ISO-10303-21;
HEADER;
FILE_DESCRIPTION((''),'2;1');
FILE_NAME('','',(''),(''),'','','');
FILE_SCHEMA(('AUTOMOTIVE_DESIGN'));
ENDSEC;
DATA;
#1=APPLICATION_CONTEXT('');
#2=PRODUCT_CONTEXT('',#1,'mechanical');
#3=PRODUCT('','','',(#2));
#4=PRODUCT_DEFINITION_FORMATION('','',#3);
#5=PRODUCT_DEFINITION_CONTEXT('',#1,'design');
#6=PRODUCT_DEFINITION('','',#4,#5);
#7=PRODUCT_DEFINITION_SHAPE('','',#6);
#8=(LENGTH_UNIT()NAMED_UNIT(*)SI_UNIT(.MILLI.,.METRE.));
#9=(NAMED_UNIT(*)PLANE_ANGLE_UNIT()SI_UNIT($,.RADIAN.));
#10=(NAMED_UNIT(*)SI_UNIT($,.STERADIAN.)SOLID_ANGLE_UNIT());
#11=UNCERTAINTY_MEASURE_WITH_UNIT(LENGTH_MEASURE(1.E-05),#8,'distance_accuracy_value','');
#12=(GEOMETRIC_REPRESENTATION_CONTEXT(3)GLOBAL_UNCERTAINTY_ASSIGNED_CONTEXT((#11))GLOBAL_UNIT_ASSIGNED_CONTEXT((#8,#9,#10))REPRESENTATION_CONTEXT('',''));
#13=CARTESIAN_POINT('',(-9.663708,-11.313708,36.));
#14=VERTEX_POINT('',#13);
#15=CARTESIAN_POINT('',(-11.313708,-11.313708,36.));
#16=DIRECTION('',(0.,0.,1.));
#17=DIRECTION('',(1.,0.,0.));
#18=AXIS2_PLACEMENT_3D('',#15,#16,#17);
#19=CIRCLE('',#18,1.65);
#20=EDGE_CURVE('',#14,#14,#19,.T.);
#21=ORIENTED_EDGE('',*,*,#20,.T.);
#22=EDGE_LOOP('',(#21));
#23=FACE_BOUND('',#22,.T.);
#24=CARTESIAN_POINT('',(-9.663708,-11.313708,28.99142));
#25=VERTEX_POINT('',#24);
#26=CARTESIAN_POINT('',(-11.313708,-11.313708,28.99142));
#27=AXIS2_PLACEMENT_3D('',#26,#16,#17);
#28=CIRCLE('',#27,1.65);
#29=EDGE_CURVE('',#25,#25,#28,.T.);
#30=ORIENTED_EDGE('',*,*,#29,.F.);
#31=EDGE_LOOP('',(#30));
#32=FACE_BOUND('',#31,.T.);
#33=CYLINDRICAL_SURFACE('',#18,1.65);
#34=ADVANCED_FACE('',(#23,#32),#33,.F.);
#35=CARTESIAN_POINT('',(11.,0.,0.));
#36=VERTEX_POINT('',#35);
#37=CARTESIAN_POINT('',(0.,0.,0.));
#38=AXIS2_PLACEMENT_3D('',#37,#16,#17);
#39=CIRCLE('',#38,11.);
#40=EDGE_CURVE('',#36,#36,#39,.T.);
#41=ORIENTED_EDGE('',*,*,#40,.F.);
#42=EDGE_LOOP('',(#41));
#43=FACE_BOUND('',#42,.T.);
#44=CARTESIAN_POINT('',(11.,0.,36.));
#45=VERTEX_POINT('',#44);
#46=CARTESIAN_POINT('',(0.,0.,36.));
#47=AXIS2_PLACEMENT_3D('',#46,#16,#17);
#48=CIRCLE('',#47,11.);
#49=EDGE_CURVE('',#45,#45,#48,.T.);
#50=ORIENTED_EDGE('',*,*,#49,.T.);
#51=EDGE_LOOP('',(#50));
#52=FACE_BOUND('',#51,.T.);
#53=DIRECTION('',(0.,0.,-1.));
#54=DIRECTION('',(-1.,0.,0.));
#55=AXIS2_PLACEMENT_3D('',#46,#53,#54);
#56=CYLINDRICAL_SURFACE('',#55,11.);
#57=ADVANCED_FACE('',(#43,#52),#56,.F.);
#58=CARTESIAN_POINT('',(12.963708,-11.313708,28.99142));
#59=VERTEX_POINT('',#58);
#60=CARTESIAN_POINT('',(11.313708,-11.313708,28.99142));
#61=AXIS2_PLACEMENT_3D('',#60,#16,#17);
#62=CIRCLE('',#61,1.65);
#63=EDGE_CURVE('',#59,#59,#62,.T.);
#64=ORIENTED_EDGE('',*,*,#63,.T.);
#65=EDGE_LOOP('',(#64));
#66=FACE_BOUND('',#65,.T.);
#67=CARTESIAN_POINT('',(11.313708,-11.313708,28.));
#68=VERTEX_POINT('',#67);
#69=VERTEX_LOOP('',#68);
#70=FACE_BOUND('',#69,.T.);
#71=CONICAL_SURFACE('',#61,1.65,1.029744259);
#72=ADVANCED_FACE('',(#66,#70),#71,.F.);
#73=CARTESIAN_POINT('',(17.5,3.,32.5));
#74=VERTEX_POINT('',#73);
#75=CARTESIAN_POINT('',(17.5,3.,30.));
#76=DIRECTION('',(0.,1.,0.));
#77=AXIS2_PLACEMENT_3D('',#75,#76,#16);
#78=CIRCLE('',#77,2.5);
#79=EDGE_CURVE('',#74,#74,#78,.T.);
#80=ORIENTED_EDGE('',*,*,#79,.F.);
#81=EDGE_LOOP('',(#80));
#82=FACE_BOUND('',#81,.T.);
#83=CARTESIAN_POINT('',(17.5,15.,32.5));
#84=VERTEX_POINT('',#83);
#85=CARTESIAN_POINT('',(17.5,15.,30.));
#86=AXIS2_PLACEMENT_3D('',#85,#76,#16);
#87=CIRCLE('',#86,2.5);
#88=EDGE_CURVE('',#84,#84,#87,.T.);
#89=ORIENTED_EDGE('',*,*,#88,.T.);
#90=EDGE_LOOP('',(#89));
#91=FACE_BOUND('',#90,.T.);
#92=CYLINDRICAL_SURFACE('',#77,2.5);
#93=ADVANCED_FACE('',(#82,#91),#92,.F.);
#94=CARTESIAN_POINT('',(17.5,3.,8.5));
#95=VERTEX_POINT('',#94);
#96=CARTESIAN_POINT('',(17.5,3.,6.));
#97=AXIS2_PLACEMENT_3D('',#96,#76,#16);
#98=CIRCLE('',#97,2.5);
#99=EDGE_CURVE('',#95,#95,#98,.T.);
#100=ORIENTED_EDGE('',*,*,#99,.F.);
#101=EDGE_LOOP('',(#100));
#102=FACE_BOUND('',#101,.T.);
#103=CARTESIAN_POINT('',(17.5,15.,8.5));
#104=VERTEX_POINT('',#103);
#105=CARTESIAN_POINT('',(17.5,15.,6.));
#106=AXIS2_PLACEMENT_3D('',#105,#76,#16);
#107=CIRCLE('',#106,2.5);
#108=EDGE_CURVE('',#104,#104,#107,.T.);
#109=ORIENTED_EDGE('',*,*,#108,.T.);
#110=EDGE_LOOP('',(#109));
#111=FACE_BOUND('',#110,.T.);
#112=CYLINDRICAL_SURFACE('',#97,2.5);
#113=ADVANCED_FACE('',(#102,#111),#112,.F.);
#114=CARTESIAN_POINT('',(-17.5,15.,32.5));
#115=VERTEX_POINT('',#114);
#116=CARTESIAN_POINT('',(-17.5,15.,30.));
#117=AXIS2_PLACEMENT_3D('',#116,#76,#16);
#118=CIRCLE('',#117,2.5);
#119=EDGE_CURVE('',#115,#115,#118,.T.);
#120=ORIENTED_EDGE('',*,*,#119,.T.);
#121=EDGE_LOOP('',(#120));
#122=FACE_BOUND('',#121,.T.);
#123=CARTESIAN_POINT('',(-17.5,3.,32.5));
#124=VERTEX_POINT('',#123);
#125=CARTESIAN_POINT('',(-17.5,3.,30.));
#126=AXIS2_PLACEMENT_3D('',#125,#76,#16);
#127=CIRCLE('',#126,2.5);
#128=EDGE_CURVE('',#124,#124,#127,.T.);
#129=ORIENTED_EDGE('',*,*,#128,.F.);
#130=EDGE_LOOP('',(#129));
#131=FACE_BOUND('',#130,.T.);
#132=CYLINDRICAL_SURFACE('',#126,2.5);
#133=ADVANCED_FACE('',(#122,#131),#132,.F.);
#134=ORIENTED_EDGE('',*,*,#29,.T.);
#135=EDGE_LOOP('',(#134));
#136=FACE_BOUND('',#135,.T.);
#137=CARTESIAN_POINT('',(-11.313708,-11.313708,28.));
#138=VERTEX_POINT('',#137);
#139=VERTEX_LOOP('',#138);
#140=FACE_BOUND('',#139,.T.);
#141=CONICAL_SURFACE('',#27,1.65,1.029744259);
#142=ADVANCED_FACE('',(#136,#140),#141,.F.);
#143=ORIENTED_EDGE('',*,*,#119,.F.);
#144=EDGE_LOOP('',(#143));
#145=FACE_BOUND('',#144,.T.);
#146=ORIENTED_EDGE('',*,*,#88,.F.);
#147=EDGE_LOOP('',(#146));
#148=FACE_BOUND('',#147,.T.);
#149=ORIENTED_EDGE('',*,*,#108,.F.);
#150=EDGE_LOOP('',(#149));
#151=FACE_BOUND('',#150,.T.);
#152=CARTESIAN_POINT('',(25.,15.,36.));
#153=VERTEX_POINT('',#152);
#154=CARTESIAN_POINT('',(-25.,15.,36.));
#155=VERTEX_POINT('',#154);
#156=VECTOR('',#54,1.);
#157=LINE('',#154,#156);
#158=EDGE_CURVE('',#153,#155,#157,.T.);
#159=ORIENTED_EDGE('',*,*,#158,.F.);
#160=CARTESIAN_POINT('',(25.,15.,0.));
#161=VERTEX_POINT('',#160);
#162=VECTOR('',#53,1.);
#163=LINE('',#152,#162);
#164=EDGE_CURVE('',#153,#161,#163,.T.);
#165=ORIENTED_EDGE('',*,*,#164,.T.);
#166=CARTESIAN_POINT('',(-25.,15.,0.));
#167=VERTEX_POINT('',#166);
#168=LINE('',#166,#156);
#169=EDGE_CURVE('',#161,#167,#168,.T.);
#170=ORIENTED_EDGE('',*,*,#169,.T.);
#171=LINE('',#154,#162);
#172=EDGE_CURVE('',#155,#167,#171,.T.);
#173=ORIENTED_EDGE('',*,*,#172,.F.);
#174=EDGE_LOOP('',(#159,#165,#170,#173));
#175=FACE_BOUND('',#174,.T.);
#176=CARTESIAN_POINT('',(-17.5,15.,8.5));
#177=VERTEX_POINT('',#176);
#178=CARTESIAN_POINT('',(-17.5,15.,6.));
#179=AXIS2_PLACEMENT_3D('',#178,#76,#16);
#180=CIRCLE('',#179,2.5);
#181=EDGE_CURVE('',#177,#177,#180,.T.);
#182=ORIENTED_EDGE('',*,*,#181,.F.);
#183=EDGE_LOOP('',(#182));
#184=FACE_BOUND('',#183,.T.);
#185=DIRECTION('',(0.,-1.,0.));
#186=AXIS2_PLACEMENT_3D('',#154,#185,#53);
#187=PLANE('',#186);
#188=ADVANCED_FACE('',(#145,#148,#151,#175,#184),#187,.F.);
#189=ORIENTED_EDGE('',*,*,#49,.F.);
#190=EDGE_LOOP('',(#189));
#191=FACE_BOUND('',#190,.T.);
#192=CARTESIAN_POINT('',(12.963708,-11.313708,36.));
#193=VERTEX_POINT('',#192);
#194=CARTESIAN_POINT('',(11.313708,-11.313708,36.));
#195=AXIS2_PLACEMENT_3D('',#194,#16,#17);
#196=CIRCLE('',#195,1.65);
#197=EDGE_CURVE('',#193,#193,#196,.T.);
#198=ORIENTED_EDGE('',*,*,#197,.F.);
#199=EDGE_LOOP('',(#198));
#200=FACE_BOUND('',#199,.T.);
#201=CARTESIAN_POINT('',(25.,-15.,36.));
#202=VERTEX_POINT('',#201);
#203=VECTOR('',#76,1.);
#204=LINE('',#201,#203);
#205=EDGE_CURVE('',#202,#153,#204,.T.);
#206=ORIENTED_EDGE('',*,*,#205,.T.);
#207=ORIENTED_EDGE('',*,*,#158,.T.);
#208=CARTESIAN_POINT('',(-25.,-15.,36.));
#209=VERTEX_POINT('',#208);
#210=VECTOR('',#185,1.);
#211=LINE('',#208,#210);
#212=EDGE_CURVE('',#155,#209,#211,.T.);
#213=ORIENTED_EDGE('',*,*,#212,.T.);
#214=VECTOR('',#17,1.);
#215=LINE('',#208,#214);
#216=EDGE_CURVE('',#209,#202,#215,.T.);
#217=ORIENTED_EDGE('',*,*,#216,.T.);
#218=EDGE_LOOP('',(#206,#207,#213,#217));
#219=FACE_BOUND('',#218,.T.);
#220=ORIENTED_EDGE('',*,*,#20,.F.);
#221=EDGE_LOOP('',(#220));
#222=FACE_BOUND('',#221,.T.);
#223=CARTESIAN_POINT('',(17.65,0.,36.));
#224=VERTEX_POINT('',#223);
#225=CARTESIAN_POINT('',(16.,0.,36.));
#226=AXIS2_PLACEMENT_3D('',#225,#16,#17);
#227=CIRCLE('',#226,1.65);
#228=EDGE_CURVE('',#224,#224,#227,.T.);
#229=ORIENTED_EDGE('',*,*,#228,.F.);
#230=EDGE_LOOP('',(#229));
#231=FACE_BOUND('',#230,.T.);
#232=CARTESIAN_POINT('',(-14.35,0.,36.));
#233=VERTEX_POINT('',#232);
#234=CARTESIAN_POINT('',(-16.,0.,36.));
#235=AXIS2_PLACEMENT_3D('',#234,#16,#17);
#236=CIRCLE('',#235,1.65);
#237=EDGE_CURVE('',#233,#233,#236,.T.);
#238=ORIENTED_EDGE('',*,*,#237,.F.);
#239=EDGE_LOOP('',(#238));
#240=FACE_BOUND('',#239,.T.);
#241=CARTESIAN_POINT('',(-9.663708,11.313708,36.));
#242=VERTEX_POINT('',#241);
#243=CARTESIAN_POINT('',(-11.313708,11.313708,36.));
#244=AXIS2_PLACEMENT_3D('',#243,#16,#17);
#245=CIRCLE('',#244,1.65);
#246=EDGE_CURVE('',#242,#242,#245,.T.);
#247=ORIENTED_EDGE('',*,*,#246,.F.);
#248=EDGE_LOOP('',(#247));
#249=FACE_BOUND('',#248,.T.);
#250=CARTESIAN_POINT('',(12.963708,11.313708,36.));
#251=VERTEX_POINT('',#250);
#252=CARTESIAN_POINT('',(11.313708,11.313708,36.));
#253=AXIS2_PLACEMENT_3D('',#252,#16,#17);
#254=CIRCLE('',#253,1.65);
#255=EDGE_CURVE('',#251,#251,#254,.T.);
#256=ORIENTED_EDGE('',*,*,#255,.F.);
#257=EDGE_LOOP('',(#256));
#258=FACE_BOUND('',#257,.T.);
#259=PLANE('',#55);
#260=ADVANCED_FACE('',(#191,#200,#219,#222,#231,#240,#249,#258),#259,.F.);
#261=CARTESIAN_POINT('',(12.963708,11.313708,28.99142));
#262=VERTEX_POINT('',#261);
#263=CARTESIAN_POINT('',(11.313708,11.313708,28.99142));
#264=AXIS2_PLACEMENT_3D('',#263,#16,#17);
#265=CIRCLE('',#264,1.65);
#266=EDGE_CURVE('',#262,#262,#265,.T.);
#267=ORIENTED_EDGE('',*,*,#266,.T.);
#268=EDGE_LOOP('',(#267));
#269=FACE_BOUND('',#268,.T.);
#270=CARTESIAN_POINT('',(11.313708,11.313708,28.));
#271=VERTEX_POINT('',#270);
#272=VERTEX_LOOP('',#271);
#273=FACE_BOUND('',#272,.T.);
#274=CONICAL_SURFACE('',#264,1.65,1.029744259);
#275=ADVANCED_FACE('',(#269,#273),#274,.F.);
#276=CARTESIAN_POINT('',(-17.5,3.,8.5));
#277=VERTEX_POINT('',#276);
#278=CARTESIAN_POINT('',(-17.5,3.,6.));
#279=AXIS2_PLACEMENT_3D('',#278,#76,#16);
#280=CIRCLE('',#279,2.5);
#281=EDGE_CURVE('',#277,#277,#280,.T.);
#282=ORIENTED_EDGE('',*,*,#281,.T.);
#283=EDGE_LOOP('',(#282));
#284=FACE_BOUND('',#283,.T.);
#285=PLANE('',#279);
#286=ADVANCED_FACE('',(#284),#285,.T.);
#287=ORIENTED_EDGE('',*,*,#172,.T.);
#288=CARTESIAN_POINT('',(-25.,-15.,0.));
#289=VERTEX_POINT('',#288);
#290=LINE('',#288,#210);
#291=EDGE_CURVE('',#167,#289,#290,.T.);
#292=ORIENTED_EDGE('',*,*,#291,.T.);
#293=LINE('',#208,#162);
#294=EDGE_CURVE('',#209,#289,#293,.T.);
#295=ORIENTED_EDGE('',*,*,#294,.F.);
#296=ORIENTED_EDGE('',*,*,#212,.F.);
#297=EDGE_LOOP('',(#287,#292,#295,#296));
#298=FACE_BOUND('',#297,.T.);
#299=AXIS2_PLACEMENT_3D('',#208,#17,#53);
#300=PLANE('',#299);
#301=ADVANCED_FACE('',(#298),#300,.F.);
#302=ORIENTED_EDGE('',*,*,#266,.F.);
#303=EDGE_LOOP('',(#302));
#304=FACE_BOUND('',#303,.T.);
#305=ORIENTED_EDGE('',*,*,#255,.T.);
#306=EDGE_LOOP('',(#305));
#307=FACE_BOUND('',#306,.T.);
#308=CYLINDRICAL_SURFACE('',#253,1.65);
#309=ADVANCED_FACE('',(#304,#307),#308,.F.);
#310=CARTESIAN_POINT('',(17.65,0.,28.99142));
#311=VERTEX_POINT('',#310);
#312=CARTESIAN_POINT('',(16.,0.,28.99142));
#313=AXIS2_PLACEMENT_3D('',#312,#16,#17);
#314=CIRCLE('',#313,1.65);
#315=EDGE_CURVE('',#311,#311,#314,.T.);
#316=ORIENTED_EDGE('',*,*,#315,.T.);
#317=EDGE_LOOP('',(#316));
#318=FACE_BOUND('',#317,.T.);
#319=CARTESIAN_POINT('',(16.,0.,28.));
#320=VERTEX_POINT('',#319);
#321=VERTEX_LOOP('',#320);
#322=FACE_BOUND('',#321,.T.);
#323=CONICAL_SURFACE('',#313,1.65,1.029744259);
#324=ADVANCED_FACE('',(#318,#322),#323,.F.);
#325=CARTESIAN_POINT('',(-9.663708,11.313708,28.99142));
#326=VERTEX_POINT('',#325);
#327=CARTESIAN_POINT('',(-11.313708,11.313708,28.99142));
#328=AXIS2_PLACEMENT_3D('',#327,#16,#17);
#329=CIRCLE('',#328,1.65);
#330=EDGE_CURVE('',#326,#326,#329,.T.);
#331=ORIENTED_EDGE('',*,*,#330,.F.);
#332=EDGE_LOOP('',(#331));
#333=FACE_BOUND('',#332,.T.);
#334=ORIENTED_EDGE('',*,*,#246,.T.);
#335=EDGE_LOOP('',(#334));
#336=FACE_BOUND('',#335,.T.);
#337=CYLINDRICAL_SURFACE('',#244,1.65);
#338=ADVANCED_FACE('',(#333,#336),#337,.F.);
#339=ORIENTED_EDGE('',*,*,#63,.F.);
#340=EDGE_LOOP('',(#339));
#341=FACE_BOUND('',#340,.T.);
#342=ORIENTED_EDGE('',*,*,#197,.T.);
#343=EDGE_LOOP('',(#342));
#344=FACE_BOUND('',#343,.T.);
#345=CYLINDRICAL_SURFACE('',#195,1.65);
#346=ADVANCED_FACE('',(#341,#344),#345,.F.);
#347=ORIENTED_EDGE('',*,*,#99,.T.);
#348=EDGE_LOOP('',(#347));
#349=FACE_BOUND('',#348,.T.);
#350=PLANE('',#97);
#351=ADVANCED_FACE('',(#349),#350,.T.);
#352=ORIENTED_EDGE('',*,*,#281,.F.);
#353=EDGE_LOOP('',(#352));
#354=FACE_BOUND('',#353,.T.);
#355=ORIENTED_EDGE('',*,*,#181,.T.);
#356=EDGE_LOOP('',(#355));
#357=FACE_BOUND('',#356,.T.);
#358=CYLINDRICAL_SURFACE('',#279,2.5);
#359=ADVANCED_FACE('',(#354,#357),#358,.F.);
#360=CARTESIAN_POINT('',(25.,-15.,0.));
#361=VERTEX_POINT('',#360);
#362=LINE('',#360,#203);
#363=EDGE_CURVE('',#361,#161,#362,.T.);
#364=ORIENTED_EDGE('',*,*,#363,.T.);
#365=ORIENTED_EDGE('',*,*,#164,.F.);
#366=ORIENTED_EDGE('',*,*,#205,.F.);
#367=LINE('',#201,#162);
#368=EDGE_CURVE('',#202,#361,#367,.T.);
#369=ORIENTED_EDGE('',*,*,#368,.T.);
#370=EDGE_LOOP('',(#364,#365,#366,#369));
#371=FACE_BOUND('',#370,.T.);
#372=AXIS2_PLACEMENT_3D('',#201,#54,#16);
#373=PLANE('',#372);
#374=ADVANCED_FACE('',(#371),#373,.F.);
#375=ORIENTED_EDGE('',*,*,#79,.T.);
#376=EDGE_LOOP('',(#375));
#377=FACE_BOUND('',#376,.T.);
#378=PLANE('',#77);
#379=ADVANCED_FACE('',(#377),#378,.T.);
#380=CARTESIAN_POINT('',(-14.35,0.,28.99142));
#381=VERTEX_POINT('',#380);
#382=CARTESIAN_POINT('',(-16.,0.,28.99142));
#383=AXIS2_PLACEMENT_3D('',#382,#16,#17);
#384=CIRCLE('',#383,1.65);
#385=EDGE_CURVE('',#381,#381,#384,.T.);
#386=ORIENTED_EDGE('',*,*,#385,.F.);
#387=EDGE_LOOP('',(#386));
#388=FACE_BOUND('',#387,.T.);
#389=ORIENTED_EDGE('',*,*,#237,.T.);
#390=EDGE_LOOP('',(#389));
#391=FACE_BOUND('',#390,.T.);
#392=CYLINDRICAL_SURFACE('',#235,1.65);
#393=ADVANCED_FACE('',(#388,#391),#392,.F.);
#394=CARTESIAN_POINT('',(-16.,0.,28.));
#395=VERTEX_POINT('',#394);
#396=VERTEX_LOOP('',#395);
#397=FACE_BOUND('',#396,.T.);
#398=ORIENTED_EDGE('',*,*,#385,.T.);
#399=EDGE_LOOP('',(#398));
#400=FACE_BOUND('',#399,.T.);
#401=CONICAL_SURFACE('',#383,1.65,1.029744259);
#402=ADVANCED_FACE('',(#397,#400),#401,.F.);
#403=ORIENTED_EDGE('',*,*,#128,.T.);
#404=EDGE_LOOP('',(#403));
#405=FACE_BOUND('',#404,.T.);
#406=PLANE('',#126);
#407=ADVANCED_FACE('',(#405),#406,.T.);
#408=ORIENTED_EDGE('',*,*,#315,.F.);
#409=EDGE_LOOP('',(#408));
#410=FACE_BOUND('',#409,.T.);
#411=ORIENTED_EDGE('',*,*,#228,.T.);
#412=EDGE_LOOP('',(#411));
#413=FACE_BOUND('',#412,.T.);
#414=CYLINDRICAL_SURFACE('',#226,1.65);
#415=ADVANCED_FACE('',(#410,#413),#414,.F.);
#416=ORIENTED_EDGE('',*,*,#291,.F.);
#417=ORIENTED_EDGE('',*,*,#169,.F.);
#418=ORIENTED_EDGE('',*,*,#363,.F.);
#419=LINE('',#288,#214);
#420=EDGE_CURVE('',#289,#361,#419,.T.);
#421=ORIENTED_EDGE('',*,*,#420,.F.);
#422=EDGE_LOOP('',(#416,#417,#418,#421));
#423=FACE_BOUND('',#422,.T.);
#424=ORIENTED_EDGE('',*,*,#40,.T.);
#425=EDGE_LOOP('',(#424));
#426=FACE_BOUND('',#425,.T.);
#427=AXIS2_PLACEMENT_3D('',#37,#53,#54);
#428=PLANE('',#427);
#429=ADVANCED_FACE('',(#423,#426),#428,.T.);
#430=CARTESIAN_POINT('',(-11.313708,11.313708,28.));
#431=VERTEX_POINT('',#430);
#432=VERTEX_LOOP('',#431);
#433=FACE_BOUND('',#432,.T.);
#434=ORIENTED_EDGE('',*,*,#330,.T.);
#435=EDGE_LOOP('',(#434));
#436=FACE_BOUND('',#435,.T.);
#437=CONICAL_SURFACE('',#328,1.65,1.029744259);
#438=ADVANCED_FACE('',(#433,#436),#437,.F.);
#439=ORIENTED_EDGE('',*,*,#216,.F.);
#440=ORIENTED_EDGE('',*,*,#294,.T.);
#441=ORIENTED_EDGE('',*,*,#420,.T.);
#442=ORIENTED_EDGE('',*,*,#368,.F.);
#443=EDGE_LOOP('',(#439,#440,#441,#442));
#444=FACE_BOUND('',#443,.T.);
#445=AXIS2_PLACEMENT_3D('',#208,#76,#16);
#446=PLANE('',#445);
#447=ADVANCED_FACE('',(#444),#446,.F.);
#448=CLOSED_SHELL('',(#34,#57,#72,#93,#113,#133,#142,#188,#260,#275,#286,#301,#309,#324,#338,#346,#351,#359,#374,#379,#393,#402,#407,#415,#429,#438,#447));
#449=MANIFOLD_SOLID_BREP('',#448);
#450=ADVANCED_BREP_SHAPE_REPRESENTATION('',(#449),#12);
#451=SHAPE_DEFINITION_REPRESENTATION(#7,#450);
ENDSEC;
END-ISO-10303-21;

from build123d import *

# Parameters (mm, degrees)
SKETCH2_W                   = 50
SKETCH2_H                   = 30
SKETCH2_R                   = 11
BOSS_EXTRUDE1_DEPTH         = 36
TAP_DRILL_FOR_M4_TAP1_D     = 3.3
TAP_DRILL_FOR_M4_TAP1_DEPTH = 7.008579979
TAP_DRILL_FOR_M4_TAP1_TIP   = 0.991420021
SKETCH5_R                   = 2.5
CUT_EXTRUDE1_DEPTH          = 12


with BuildPart() as part:
    # Sketch2 → Boss-Extrude1 (new body)
    with BuildSketch(Plane.XY):
        Rectangle(SKETCH2_W, SKETCH2_H)
        Circle(SKETCH2_R, mode=Mode.SUBTRACT)
    extrude(amount=BOSS_EXTRUDE1_DEPTH)

    # Tap Drill for M4 Tap1
    with Locations(Plane.XY.offset(36)):
        with Locations((11.313708499, 11.313708499), (-16, 0), (-11.313708499, 11.313708499), (-11.313708499, -11.313708499), (11.313708499, -11.313708499), (16, 0)):
            Hole(TAP_DRILL_FOR_M4_TAP1_D / 2, depth=TAP_DRILL_FOR_M4_TAP1_DEPTH)
            with Locations((0, 0, -(TAP_DRILL_FOR_M4_TAP1_DEPTH + TAP_DRILL_FOR_M4_TAP1_TIP / 2))):  # 118° drill point
                Cone(0, TAP_DRILL_FOR_M4_TAP1_D / 2, TAP_DRILL_FOR_M4_TAP1_TIP, mode=Mode.SUBTRACT)

    # Sketch5 → Cut-Extrude1 (cut)
    with BuildSketch(Plane(origin=(0, 15, 0), x_dir=(1, 0, 0), z_dir=(0, 1, 0))):
        with Locations(Location((-17.5, -6, 0), (0, 0, 270))):
            Circle(SKETCH5_R)
        with Locations(Location((17.5, -6, 0), (0, 0, 270))):
            Circle(SKETCH5_R)
        with Locations(Location((17.5, -30, 0), (0, 0, 270))):
            Circle(SKETCH5_R)
        with Locations(Location((-17.5, -30, 0), (0, 0, 270))):
            Circle(SKETCH5_R)
    extrude(amount=-CUT_EXTRUDE1_DEPTH, mode=Mode.SUBTRACT)


solid = part.part
